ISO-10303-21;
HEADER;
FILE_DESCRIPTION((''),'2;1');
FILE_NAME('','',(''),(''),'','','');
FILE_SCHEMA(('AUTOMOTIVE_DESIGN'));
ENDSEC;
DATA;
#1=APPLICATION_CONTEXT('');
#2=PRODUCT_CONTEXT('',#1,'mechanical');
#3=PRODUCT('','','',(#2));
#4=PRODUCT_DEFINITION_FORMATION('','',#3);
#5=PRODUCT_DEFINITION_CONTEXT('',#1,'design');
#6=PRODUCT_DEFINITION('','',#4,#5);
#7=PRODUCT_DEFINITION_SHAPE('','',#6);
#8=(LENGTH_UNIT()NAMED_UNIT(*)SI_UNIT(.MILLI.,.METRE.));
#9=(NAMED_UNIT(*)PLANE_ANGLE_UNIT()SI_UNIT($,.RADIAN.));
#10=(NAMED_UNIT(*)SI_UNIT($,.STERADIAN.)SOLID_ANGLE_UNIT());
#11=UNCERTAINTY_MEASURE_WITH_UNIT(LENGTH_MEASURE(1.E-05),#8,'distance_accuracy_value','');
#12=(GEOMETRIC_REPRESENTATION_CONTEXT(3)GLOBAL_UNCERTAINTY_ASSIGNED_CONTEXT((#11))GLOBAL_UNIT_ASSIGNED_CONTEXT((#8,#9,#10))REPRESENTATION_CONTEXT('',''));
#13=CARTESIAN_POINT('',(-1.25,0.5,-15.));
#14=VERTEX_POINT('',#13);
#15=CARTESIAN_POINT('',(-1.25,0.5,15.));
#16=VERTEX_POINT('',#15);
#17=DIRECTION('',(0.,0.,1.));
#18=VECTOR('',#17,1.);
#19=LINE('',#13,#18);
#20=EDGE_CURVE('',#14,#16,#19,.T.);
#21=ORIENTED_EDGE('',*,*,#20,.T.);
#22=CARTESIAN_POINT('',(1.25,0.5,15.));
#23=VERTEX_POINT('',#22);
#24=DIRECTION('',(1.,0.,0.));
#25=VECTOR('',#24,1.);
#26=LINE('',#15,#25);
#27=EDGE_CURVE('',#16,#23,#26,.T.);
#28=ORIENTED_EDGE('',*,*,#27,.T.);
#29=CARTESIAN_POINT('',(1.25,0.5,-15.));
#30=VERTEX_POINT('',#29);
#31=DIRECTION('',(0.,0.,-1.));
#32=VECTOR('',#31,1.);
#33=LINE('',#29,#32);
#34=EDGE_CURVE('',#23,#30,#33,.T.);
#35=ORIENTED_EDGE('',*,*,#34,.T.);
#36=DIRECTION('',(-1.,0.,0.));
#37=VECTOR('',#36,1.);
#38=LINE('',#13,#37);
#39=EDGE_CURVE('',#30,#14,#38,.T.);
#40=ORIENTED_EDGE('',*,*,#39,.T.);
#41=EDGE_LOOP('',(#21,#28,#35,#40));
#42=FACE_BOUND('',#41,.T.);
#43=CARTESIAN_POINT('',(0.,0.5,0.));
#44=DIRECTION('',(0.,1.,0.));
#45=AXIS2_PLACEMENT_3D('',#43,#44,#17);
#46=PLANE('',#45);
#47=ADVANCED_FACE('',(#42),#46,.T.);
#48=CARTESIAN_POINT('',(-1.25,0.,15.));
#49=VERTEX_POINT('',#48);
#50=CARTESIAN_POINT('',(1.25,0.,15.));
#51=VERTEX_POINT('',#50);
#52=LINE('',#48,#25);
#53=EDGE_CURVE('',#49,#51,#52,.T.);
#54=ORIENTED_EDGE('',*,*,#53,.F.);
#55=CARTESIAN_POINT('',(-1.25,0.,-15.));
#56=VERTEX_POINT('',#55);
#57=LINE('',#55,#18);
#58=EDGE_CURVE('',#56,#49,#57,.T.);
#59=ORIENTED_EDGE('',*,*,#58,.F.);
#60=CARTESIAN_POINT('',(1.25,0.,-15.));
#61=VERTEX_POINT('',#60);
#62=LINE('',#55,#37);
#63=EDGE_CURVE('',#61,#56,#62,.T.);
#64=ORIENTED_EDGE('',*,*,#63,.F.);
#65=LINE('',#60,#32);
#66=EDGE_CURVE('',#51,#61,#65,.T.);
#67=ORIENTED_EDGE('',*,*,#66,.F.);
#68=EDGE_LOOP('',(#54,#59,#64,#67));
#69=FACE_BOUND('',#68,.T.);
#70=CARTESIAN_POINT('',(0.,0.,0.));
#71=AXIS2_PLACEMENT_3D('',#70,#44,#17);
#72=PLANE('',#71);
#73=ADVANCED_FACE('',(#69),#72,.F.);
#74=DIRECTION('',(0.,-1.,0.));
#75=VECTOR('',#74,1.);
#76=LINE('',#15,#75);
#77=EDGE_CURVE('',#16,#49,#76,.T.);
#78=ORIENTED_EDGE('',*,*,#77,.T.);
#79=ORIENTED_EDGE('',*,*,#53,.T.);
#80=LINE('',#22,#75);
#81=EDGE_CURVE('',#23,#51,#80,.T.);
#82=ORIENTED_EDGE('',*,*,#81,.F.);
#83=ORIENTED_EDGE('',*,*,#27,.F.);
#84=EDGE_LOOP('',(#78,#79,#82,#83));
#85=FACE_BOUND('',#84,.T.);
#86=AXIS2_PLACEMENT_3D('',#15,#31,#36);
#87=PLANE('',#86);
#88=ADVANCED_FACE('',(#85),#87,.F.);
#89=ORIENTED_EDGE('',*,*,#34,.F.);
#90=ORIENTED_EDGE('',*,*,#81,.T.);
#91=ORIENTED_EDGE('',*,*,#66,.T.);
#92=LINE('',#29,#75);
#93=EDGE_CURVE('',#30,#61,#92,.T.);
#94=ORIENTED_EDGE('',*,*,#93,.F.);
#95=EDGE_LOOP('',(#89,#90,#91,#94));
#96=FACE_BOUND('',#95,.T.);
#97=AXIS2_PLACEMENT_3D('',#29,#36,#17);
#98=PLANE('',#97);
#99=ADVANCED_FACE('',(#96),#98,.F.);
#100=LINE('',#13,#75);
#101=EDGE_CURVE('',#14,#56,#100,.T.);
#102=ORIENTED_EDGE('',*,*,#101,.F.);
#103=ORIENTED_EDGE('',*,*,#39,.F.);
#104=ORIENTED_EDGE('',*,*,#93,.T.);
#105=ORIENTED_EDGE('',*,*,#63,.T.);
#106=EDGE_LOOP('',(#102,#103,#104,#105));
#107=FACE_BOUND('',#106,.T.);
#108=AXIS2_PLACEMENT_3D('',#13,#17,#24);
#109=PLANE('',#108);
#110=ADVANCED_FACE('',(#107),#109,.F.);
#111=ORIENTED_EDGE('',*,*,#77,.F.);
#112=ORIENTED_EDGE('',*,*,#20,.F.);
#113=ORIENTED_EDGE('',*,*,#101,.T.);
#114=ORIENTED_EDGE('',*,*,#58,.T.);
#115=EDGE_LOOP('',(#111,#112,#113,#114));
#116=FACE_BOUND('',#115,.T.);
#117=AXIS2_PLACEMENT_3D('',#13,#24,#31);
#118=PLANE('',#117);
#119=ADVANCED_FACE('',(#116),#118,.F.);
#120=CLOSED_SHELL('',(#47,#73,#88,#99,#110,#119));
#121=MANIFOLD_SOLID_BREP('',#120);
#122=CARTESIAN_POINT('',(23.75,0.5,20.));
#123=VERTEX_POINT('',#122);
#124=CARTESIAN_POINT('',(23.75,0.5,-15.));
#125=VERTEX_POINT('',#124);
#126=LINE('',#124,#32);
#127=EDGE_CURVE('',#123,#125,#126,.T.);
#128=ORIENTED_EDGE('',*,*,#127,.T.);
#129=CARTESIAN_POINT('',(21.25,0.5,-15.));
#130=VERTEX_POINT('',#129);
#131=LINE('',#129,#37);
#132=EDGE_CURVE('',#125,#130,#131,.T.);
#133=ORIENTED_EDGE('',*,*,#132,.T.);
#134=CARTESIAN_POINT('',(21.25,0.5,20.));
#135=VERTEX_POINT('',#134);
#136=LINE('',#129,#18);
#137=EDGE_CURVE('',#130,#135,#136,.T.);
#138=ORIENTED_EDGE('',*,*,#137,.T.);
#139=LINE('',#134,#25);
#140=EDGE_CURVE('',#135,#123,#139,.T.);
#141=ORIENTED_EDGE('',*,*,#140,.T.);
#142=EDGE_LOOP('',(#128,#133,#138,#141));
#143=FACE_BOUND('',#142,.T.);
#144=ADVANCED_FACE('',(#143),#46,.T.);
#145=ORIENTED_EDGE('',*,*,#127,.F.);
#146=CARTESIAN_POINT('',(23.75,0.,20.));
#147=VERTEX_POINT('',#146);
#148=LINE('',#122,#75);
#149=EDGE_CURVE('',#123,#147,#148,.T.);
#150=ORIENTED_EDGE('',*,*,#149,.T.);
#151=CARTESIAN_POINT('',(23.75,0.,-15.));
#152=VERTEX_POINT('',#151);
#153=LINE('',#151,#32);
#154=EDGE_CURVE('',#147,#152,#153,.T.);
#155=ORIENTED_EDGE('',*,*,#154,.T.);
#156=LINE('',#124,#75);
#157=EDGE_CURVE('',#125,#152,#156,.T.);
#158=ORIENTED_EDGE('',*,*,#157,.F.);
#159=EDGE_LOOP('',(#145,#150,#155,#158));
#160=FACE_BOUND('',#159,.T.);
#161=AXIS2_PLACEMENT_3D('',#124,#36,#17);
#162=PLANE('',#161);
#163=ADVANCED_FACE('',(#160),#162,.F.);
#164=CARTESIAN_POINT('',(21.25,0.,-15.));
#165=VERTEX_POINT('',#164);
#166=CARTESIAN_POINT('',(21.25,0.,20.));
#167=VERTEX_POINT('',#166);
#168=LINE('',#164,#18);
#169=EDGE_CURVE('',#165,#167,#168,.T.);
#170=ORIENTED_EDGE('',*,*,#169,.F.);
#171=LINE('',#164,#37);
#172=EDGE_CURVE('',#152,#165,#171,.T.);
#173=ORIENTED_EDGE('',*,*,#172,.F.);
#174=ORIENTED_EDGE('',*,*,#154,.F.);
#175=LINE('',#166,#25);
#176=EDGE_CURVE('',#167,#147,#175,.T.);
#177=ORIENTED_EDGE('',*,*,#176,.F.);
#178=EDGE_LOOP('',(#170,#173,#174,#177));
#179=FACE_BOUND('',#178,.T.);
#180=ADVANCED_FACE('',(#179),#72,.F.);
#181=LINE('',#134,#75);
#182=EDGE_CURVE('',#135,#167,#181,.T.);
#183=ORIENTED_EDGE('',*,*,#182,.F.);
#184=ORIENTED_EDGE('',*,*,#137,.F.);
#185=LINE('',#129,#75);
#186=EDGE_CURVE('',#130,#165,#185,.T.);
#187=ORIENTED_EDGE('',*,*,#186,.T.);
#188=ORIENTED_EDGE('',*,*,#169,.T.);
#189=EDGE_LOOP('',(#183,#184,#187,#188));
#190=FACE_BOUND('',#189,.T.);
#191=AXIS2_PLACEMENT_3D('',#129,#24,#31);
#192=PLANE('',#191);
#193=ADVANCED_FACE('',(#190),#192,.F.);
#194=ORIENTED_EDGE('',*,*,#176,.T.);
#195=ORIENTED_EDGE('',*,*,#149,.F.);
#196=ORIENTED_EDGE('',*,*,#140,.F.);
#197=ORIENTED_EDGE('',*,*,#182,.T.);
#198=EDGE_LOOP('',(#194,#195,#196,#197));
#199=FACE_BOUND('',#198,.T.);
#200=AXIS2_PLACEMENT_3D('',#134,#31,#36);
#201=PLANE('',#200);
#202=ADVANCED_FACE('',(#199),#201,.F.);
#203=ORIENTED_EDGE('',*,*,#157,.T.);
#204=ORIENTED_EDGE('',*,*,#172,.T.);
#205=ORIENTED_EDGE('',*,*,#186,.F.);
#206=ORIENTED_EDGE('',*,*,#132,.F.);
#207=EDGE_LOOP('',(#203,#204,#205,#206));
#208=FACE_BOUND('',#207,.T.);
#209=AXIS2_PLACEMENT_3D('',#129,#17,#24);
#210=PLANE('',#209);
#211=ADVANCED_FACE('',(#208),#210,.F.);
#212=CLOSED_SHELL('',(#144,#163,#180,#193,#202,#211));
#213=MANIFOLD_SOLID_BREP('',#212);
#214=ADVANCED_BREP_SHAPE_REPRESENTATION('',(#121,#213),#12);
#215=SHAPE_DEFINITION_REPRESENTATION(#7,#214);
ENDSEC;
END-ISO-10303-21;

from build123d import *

# Parameters (mm, degrees)
SKETCH1_W             = 2.5
SKETCH1_H             = 35
BOSS_EXTRUDE1_DEPTH   = 0.5
SKETCH1_H_2           = 30
BOSS_EXTRUDE1_2_DEPTH = 0.5


with BuildPart() as part:
    # Sketch1 → Boss-Extrude1 (new body)
    with BuildSketch(Plane(origin=(0, 0, 0), x_dir=(1, 0, 0), z_dir=(0, 1, 0))):
        with Locations((22.5, -2.5)):
            Rectangle(SKETCH1_W, SKETCH1_H)
    extrude(amount=BOSS_EXTRUDE1_DEPTH)


with BuildPart() as body_2:
    # Sketch1 → Boss-Extrude1 2 (new body)
    with BuildSketch(Plane(origin=(0, 0, 0), x_dir=(1, 0, 0), z_dir=(0, 1, 0))):
        Rectangle(SKETCH1_W, SKETCH1_H_2)
    extrude(amount=BOSS_EXTRUDE1_2_DEPTH)


solid = Compound([part.part, body_2.part])
